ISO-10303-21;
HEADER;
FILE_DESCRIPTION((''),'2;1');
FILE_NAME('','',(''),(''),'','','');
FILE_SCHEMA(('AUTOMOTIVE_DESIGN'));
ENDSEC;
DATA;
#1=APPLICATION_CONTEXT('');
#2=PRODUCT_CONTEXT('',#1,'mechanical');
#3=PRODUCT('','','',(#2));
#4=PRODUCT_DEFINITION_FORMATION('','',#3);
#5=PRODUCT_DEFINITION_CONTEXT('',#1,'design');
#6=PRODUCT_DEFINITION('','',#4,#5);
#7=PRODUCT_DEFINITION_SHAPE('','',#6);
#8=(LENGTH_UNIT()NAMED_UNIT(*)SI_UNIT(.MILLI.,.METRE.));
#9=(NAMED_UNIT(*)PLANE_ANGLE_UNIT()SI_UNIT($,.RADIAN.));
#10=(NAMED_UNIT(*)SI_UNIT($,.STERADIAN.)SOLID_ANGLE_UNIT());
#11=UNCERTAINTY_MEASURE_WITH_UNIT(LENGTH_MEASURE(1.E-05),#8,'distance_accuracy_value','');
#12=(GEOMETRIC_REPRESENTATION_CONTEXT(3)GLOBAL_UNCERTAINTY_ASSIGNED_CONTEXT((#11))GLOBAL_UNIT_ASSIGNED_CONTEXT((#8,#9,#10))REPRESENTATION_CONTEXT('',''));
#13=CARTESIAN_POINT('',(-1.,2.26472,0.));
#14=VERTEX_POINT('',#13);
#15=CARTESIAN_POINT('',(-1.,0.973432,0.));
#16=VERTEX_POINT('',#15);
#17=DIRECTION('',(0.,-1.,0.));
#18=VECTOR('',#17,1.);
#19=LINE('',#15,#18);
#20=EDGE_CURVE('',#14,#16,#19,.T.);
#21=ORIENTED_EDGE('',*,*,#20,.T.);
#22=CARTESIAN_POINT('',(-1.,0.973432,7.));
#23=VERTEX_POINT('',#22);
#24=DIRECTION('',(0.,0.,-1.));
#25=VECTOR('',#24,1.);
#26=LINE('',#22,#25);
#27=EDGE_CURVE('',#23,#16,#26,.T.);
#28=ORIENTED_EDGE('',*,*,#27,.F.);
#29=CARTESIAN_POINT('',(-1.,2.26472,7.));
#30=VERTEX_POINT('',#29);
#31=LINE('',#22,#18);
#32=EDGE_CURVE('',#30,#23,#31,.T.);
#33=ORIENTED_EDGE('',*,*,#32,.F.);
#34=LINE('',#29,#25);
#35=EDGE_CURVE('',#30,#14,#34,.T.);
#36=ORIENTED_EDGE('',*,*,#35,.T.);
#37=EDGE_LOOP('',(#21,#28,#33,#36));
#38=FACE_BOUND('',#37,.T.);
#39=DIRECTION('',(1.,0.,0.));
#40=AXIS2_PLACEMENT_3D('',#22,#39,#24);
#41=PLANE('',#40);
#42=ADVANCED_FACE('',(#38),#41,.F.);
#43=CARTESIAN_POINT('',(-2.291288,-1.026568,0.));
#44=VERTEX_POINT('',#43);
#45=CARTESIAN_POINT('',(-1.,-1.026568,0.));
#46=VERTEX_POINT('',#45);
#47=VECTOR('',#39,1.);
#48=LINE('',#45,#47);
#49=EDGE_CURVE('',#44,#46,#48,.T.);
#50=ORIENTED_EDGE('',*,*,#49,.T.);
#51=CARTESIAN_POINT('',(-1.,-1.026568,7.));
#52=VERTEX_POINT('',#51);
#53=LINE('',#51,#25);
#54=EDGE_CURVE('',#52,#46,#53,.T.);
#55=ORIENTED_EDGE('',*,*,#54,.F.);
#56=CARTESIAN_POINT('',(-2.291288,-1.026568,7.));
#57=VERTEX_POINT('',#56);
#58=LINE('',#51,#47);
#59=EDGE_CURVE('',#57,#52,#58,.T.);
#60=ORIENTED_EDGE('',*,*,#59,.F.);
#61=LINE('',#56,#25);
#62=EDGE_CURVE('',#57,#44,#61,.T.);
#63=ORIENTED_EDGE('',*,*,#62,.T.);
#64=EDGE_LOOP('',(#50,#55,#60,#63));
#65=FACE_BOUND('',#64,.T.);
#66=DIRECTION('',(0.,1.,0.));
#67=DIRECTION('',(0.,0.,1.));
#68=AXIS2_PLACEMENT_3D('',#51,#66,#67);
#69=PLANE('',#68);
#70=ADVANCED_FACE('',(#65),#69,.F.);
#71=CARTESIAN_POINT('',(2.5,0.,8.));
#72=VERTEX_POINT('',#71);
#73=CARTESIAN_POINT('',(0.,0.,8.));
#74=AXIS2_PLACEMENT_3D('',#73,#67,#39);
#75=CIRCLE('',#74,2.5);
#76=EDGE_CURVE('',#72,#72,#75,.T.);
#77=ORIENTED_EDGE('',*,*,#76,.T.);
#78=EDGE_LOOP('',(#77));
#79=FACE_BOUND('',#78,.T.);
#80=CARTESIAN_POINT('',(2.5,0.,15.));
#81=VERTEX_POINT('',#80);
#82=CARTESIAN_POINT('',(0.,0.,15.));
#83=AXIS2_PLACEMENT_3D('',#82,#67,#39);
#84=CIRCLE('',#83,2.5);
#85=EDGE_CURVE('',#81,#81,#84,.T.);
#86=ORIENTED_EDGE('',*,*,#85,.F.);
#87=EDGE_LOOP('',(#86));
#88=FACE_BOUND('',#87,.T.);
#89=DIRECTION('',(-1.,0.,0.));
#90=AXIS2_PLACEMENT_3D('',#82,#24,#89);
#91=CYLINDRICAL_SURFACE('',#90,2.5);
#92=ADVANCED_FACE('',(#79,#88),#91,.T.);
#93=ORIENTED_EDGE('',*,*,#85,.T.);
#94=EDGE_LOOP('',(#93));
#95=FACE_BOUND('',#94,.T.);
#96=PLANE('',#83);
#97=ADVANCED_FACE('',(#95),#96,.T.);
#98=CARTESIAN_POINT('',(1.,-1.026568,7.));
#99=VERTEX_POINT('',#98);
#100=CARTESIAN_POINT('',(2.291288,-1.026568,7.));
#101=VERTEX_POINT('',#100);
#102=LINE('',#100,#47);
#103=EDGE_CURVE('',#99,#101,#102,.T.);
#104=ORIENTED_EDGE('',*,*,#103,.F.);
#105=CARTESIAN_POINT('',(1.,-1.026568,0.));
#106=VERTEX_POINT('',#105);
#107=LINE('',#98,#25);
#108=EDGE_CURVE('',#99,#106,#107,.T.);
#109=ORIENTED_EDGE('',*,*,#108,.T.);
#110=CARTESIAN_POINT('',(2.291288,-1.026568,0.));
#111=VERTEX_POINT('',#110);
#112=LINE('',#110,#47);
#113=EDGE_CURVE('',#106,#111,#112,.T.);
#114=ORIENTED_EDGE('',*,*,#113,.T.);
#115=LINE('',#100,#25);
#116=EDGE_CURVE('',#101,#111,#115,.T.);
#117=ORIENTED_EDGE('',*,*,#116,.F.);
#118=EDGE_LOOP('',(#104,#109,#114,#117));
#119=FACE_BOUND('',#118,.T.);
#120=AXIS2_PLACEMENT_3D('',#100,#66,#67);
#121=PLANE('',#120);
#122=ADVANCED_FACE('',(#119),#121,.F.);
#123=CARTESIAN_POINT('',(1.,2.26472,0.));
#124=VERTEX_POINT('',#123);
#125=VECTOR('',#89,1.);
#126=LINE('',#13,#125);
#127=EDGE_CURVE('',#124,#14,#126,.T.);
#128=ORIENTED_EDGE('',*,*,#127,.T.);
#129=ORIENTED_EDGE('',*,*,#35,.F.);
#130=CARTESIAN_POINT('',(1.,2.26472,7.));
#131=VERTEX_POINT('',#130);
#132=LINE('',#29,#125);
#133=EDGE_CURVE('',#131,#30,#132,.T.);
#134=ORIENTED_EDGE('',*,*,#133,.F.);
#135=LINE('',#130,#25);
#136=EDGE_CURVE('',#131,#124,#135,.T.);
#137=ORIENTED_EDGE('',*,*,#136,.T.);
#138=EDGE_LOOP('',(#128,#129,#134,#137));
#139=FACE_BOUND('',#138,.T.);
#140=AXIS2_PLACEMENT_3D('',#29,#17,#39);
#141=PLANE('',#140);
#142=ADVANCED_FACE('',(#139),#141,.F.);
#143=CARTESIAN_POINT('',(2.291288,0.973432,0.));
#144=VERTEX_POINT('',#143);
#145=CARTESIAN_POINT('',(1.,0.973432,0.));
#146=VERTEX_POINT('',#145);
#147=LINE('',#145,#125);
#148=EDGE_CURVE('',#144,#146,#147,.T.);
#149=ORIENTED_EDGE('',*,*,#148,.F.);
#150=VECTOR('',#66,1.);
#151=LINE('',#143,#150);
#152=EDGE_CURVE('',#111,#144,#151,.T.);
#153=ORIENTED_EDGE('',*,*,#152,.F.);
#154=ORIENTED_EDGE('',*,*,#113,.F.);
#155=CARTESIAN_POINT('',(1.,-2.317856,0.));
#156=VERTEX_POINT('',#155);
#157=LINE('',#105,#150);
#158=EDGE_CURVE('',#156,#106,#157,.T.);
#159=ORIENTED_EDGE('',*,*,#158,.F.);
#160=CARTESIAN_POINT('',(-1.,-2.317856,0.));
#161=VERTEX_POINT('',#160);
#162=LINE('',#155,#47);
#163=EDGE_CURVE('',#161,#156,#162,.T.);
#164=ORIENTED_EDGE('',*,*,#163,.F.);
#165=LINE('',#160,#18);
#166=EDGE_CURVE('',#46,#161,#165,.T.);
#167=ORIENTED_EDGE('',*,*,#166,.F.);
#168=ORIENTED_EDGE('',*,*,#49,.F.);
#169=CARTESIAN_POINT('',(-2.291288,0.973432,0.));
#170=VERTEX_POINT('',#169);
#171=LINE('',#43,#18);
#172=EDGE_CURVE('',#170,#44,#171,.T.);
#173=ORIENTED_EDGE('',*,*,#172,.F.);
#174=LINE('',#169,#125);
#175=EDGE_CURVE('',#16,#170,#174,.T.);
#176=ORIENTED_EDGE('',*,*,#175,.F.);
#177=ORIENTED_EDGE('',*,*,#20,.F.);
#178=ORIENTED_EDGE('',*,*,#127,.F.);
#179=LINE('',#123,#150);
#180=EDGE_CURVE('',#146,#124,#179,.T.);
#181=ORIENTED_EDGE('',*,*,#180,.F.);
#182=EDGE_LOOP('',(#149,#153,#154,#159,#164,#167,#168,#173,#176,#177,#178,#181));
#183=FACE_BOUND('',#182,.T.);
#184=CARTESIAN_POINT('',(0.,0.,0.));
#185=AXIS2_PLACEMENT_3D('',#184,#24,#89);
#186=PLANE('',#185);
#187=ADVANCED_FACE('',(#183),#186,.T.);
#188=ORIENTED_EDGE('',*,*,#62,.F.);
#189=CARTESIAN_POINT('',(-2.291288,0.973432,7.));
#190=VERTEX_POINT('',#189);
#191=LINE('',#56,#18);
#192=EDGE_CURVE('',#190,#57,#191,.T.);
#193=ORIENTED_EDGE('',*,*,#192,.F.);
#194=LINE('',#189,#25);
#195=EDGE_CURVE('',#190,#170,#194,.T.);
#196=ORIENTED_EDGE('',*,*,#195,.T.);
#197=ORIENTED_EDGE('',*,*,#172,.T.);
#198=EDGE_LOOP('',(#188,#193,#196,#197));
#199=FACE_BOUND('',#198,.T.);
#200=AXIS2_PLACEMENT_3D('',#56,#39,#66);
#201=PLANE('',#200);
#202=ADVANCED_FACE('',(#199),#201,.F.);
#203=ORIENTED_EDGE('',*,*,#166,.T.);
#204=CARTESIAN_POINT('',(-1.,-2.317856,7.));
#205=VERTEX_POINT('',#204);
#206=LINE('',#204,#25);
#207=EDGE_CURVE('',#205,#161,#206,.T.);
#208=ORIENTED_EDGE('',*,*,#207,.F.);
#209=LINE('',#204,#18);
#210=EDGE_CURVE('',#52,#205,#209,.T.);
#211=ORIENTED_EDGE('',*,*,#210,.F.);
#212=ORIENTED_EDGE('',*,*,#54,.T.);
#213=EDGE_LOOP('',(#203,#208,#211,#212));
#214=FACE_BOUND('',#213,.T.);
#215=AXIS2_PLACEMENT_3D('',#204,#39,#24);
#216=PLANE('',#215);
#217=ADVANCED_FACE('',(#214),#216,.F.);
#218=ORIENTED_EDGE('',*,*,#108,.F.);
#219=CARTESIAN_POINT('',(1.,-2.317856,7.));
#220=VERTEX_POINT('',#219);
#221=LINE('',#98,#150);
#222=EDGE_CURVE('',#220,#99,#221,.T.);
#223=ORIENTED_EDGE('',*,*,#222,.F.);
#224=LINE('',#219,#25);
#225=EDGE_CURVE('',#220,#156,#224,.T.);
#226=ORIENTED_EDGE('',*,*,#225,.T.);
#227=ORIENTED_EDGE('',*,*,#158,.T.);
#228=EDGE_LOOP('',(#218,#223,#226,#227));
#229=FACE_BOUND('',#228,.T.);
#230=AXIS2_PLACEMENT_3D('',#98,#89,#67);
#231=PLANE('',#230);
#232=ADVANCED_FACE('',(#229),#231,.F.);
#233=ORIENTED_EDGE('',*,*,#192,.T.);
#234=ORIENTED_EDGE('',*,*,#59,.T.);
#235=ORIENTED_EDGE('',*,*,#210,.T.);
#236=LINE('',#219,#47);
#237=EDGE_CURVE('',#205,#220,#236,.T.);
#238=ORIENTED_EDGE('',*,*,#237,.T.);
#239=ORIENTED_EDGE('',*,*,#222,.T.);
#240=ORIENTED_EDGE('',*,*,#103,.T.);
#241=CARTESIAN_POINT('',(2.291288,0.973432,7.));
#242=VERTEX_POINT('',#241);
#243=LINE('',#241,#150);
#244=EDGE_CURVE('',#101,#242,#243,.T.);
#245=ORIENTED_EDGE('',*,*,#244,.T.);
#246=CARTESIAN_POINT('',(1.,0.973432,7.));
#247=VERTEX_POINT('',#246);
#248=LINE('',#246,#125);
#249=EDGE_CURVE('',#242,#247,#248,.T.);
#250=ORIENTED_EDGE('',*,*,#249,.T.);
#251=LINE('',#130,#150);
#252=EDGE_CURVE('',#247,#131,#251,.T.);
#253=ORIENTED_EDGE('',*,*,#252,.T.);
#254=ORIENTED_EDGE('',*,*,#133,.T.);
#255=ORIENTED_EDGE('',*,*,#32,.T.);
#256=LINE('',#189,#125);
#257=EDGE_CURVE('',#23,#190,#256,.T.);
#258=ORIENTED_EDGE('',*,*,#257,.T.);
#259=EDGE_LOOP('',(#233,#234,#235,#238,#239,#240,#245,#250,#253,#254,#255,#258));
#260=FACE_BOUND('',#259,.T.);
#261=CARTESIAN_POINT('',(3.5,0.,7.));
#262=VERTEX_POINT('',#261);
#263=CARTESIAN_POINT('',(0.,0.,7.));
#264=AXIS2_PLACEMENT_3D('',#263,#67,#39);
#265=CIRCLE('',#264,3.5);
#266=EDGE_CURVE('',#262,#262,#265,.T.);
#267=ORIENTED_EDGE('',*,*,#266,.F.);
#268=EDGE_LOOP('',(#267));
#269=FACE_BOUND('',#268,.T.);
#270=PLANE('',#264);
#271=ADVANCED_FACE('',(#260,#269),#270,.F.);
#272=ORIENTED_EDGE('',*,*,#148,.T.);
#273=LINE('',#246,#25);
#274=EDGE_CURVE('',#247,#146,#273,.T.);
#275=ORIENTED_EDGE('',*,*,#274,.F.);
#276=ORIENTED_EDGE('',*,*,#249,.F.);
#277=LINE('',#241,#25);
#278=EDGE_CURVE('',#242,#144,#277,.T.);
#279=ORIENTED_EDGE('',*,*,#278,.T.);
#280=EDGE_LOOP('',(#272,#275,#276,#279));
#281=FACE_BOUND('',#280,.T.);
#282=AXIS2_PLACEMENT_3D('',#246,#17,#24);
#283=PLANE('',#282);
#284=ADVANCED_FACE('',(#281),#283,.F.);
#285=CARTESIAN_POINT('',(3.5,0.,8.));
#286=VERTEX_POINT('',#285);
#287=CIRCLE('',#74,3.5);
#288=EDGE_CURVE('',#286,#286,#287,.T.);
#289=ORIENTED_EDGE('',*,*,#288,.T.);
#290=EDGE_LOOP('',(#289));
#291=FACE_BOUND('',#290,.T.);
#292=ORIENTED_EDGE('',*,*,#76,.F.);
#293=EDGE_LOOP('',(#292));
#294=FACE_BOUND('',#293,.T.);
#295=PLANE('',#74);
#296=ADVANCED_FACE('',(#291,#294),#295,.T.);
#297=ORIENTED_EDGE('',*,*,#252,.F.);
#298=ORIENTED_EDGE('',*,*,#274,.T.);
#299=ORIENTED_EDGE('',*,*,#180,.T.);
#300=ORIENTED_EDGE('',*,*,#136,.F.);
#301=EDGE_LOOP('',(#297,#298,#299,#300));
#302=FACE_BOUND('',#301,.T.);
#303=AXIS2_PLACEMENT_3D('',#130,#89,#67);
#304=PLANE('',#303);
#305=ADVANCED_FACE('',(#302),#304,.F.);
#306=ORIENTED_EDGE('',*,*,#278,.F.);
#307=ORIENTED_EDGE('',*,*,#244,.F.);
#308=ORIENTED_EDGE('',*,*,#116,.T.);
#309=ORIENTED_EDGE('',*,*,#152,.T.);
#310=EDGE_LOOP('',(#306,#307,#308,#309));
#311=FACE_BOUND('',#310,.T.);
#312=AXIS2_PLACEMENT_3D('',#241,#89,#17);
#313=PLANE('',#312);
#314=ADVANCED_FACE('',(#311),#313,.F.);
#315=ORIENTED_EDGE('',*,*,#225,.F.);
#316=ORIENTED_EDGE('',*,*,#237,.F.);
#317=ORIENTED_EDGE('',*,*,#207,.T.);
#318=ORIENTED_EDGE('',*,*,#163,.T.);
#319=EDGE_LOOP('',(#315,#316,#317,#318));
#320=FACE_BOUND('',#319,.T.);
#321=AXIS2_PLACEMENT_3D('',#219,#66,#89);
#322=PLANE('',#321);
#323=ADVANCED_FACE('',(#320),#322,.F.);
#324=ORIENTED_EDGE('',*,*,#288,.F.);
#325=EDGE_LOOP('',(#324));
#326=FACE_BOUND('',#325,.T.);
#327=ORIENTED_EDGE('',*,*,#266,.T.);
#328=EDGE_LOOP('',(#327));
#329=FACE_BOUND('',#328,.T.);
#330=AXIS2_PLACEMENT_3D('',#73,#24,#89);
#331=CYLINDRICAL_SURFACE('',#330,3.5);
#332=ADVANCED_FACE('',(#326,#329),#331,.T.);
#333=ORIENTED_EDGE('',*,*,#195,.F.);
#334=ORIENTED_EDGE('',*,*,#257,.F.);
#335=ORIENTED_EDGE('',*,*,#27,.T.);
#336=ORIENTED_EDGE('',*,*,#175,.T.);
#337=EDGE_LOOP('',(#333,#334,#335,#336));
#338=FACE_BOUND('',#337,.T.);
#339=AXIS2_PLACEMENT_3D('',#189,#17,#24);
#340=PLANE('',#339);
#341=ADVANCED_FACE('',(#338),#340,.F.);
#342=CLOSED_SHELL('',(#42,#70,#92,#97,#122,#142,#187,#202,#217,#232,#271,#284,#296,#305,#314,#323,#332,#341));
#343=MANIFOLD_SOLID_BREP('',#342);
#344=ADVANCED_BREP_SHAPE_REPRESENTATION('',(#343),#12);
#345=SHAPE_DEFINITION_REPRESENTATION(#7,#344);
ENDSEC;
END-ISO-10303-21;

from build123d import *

# Parameters (mm, degrees)
BOSS_EXTRUDE1_DEPTH = 7
SKETCH2_R           = 3.5
BOSS_EXTRUDE2_DEPTH = 1
SKETCH3_R           = 2.5
BOSS_EXTRUDE3_DEPTH = 7


with BuildPart() as part:
    # Sketch1 → Boss-Extrude1 (new body)
    with BuildSketch(Plane.XY):
        Polygon((2.291287847, -1.026567818), (1, -1.026567818), (1, -2.317855665), (-1, -2.317855665), (-1, -1.026567818), (-2.291287847, -1.026567818), (-2.291287847, 0.973432182), (-1, 0.973432182), (-1, 2.26472003), (1, 2.26472003), (1, 0.973432182), (2.291287847, 0.973432182), align=None)
    extrude(amount=BOSS_EXTRUDE1_DEPTH)

    # Sketch2 → Boss-Extrude2 (add)
    with BuildSketch(Plane.XY.offset(7)):
        Circle(SKETCH2_R)
    extrude(amount=BOSS_EXTRUDE2_DEPTH)

    # Sketch3 → Boss-Extrude3 (add)
    with BuildSketch(Plane.XY.offset(8)):
        Circle(SKETCH3_R)
    extrude(amount=BOSS_EXTRUDE3_DEPTH)


solid = part.part
